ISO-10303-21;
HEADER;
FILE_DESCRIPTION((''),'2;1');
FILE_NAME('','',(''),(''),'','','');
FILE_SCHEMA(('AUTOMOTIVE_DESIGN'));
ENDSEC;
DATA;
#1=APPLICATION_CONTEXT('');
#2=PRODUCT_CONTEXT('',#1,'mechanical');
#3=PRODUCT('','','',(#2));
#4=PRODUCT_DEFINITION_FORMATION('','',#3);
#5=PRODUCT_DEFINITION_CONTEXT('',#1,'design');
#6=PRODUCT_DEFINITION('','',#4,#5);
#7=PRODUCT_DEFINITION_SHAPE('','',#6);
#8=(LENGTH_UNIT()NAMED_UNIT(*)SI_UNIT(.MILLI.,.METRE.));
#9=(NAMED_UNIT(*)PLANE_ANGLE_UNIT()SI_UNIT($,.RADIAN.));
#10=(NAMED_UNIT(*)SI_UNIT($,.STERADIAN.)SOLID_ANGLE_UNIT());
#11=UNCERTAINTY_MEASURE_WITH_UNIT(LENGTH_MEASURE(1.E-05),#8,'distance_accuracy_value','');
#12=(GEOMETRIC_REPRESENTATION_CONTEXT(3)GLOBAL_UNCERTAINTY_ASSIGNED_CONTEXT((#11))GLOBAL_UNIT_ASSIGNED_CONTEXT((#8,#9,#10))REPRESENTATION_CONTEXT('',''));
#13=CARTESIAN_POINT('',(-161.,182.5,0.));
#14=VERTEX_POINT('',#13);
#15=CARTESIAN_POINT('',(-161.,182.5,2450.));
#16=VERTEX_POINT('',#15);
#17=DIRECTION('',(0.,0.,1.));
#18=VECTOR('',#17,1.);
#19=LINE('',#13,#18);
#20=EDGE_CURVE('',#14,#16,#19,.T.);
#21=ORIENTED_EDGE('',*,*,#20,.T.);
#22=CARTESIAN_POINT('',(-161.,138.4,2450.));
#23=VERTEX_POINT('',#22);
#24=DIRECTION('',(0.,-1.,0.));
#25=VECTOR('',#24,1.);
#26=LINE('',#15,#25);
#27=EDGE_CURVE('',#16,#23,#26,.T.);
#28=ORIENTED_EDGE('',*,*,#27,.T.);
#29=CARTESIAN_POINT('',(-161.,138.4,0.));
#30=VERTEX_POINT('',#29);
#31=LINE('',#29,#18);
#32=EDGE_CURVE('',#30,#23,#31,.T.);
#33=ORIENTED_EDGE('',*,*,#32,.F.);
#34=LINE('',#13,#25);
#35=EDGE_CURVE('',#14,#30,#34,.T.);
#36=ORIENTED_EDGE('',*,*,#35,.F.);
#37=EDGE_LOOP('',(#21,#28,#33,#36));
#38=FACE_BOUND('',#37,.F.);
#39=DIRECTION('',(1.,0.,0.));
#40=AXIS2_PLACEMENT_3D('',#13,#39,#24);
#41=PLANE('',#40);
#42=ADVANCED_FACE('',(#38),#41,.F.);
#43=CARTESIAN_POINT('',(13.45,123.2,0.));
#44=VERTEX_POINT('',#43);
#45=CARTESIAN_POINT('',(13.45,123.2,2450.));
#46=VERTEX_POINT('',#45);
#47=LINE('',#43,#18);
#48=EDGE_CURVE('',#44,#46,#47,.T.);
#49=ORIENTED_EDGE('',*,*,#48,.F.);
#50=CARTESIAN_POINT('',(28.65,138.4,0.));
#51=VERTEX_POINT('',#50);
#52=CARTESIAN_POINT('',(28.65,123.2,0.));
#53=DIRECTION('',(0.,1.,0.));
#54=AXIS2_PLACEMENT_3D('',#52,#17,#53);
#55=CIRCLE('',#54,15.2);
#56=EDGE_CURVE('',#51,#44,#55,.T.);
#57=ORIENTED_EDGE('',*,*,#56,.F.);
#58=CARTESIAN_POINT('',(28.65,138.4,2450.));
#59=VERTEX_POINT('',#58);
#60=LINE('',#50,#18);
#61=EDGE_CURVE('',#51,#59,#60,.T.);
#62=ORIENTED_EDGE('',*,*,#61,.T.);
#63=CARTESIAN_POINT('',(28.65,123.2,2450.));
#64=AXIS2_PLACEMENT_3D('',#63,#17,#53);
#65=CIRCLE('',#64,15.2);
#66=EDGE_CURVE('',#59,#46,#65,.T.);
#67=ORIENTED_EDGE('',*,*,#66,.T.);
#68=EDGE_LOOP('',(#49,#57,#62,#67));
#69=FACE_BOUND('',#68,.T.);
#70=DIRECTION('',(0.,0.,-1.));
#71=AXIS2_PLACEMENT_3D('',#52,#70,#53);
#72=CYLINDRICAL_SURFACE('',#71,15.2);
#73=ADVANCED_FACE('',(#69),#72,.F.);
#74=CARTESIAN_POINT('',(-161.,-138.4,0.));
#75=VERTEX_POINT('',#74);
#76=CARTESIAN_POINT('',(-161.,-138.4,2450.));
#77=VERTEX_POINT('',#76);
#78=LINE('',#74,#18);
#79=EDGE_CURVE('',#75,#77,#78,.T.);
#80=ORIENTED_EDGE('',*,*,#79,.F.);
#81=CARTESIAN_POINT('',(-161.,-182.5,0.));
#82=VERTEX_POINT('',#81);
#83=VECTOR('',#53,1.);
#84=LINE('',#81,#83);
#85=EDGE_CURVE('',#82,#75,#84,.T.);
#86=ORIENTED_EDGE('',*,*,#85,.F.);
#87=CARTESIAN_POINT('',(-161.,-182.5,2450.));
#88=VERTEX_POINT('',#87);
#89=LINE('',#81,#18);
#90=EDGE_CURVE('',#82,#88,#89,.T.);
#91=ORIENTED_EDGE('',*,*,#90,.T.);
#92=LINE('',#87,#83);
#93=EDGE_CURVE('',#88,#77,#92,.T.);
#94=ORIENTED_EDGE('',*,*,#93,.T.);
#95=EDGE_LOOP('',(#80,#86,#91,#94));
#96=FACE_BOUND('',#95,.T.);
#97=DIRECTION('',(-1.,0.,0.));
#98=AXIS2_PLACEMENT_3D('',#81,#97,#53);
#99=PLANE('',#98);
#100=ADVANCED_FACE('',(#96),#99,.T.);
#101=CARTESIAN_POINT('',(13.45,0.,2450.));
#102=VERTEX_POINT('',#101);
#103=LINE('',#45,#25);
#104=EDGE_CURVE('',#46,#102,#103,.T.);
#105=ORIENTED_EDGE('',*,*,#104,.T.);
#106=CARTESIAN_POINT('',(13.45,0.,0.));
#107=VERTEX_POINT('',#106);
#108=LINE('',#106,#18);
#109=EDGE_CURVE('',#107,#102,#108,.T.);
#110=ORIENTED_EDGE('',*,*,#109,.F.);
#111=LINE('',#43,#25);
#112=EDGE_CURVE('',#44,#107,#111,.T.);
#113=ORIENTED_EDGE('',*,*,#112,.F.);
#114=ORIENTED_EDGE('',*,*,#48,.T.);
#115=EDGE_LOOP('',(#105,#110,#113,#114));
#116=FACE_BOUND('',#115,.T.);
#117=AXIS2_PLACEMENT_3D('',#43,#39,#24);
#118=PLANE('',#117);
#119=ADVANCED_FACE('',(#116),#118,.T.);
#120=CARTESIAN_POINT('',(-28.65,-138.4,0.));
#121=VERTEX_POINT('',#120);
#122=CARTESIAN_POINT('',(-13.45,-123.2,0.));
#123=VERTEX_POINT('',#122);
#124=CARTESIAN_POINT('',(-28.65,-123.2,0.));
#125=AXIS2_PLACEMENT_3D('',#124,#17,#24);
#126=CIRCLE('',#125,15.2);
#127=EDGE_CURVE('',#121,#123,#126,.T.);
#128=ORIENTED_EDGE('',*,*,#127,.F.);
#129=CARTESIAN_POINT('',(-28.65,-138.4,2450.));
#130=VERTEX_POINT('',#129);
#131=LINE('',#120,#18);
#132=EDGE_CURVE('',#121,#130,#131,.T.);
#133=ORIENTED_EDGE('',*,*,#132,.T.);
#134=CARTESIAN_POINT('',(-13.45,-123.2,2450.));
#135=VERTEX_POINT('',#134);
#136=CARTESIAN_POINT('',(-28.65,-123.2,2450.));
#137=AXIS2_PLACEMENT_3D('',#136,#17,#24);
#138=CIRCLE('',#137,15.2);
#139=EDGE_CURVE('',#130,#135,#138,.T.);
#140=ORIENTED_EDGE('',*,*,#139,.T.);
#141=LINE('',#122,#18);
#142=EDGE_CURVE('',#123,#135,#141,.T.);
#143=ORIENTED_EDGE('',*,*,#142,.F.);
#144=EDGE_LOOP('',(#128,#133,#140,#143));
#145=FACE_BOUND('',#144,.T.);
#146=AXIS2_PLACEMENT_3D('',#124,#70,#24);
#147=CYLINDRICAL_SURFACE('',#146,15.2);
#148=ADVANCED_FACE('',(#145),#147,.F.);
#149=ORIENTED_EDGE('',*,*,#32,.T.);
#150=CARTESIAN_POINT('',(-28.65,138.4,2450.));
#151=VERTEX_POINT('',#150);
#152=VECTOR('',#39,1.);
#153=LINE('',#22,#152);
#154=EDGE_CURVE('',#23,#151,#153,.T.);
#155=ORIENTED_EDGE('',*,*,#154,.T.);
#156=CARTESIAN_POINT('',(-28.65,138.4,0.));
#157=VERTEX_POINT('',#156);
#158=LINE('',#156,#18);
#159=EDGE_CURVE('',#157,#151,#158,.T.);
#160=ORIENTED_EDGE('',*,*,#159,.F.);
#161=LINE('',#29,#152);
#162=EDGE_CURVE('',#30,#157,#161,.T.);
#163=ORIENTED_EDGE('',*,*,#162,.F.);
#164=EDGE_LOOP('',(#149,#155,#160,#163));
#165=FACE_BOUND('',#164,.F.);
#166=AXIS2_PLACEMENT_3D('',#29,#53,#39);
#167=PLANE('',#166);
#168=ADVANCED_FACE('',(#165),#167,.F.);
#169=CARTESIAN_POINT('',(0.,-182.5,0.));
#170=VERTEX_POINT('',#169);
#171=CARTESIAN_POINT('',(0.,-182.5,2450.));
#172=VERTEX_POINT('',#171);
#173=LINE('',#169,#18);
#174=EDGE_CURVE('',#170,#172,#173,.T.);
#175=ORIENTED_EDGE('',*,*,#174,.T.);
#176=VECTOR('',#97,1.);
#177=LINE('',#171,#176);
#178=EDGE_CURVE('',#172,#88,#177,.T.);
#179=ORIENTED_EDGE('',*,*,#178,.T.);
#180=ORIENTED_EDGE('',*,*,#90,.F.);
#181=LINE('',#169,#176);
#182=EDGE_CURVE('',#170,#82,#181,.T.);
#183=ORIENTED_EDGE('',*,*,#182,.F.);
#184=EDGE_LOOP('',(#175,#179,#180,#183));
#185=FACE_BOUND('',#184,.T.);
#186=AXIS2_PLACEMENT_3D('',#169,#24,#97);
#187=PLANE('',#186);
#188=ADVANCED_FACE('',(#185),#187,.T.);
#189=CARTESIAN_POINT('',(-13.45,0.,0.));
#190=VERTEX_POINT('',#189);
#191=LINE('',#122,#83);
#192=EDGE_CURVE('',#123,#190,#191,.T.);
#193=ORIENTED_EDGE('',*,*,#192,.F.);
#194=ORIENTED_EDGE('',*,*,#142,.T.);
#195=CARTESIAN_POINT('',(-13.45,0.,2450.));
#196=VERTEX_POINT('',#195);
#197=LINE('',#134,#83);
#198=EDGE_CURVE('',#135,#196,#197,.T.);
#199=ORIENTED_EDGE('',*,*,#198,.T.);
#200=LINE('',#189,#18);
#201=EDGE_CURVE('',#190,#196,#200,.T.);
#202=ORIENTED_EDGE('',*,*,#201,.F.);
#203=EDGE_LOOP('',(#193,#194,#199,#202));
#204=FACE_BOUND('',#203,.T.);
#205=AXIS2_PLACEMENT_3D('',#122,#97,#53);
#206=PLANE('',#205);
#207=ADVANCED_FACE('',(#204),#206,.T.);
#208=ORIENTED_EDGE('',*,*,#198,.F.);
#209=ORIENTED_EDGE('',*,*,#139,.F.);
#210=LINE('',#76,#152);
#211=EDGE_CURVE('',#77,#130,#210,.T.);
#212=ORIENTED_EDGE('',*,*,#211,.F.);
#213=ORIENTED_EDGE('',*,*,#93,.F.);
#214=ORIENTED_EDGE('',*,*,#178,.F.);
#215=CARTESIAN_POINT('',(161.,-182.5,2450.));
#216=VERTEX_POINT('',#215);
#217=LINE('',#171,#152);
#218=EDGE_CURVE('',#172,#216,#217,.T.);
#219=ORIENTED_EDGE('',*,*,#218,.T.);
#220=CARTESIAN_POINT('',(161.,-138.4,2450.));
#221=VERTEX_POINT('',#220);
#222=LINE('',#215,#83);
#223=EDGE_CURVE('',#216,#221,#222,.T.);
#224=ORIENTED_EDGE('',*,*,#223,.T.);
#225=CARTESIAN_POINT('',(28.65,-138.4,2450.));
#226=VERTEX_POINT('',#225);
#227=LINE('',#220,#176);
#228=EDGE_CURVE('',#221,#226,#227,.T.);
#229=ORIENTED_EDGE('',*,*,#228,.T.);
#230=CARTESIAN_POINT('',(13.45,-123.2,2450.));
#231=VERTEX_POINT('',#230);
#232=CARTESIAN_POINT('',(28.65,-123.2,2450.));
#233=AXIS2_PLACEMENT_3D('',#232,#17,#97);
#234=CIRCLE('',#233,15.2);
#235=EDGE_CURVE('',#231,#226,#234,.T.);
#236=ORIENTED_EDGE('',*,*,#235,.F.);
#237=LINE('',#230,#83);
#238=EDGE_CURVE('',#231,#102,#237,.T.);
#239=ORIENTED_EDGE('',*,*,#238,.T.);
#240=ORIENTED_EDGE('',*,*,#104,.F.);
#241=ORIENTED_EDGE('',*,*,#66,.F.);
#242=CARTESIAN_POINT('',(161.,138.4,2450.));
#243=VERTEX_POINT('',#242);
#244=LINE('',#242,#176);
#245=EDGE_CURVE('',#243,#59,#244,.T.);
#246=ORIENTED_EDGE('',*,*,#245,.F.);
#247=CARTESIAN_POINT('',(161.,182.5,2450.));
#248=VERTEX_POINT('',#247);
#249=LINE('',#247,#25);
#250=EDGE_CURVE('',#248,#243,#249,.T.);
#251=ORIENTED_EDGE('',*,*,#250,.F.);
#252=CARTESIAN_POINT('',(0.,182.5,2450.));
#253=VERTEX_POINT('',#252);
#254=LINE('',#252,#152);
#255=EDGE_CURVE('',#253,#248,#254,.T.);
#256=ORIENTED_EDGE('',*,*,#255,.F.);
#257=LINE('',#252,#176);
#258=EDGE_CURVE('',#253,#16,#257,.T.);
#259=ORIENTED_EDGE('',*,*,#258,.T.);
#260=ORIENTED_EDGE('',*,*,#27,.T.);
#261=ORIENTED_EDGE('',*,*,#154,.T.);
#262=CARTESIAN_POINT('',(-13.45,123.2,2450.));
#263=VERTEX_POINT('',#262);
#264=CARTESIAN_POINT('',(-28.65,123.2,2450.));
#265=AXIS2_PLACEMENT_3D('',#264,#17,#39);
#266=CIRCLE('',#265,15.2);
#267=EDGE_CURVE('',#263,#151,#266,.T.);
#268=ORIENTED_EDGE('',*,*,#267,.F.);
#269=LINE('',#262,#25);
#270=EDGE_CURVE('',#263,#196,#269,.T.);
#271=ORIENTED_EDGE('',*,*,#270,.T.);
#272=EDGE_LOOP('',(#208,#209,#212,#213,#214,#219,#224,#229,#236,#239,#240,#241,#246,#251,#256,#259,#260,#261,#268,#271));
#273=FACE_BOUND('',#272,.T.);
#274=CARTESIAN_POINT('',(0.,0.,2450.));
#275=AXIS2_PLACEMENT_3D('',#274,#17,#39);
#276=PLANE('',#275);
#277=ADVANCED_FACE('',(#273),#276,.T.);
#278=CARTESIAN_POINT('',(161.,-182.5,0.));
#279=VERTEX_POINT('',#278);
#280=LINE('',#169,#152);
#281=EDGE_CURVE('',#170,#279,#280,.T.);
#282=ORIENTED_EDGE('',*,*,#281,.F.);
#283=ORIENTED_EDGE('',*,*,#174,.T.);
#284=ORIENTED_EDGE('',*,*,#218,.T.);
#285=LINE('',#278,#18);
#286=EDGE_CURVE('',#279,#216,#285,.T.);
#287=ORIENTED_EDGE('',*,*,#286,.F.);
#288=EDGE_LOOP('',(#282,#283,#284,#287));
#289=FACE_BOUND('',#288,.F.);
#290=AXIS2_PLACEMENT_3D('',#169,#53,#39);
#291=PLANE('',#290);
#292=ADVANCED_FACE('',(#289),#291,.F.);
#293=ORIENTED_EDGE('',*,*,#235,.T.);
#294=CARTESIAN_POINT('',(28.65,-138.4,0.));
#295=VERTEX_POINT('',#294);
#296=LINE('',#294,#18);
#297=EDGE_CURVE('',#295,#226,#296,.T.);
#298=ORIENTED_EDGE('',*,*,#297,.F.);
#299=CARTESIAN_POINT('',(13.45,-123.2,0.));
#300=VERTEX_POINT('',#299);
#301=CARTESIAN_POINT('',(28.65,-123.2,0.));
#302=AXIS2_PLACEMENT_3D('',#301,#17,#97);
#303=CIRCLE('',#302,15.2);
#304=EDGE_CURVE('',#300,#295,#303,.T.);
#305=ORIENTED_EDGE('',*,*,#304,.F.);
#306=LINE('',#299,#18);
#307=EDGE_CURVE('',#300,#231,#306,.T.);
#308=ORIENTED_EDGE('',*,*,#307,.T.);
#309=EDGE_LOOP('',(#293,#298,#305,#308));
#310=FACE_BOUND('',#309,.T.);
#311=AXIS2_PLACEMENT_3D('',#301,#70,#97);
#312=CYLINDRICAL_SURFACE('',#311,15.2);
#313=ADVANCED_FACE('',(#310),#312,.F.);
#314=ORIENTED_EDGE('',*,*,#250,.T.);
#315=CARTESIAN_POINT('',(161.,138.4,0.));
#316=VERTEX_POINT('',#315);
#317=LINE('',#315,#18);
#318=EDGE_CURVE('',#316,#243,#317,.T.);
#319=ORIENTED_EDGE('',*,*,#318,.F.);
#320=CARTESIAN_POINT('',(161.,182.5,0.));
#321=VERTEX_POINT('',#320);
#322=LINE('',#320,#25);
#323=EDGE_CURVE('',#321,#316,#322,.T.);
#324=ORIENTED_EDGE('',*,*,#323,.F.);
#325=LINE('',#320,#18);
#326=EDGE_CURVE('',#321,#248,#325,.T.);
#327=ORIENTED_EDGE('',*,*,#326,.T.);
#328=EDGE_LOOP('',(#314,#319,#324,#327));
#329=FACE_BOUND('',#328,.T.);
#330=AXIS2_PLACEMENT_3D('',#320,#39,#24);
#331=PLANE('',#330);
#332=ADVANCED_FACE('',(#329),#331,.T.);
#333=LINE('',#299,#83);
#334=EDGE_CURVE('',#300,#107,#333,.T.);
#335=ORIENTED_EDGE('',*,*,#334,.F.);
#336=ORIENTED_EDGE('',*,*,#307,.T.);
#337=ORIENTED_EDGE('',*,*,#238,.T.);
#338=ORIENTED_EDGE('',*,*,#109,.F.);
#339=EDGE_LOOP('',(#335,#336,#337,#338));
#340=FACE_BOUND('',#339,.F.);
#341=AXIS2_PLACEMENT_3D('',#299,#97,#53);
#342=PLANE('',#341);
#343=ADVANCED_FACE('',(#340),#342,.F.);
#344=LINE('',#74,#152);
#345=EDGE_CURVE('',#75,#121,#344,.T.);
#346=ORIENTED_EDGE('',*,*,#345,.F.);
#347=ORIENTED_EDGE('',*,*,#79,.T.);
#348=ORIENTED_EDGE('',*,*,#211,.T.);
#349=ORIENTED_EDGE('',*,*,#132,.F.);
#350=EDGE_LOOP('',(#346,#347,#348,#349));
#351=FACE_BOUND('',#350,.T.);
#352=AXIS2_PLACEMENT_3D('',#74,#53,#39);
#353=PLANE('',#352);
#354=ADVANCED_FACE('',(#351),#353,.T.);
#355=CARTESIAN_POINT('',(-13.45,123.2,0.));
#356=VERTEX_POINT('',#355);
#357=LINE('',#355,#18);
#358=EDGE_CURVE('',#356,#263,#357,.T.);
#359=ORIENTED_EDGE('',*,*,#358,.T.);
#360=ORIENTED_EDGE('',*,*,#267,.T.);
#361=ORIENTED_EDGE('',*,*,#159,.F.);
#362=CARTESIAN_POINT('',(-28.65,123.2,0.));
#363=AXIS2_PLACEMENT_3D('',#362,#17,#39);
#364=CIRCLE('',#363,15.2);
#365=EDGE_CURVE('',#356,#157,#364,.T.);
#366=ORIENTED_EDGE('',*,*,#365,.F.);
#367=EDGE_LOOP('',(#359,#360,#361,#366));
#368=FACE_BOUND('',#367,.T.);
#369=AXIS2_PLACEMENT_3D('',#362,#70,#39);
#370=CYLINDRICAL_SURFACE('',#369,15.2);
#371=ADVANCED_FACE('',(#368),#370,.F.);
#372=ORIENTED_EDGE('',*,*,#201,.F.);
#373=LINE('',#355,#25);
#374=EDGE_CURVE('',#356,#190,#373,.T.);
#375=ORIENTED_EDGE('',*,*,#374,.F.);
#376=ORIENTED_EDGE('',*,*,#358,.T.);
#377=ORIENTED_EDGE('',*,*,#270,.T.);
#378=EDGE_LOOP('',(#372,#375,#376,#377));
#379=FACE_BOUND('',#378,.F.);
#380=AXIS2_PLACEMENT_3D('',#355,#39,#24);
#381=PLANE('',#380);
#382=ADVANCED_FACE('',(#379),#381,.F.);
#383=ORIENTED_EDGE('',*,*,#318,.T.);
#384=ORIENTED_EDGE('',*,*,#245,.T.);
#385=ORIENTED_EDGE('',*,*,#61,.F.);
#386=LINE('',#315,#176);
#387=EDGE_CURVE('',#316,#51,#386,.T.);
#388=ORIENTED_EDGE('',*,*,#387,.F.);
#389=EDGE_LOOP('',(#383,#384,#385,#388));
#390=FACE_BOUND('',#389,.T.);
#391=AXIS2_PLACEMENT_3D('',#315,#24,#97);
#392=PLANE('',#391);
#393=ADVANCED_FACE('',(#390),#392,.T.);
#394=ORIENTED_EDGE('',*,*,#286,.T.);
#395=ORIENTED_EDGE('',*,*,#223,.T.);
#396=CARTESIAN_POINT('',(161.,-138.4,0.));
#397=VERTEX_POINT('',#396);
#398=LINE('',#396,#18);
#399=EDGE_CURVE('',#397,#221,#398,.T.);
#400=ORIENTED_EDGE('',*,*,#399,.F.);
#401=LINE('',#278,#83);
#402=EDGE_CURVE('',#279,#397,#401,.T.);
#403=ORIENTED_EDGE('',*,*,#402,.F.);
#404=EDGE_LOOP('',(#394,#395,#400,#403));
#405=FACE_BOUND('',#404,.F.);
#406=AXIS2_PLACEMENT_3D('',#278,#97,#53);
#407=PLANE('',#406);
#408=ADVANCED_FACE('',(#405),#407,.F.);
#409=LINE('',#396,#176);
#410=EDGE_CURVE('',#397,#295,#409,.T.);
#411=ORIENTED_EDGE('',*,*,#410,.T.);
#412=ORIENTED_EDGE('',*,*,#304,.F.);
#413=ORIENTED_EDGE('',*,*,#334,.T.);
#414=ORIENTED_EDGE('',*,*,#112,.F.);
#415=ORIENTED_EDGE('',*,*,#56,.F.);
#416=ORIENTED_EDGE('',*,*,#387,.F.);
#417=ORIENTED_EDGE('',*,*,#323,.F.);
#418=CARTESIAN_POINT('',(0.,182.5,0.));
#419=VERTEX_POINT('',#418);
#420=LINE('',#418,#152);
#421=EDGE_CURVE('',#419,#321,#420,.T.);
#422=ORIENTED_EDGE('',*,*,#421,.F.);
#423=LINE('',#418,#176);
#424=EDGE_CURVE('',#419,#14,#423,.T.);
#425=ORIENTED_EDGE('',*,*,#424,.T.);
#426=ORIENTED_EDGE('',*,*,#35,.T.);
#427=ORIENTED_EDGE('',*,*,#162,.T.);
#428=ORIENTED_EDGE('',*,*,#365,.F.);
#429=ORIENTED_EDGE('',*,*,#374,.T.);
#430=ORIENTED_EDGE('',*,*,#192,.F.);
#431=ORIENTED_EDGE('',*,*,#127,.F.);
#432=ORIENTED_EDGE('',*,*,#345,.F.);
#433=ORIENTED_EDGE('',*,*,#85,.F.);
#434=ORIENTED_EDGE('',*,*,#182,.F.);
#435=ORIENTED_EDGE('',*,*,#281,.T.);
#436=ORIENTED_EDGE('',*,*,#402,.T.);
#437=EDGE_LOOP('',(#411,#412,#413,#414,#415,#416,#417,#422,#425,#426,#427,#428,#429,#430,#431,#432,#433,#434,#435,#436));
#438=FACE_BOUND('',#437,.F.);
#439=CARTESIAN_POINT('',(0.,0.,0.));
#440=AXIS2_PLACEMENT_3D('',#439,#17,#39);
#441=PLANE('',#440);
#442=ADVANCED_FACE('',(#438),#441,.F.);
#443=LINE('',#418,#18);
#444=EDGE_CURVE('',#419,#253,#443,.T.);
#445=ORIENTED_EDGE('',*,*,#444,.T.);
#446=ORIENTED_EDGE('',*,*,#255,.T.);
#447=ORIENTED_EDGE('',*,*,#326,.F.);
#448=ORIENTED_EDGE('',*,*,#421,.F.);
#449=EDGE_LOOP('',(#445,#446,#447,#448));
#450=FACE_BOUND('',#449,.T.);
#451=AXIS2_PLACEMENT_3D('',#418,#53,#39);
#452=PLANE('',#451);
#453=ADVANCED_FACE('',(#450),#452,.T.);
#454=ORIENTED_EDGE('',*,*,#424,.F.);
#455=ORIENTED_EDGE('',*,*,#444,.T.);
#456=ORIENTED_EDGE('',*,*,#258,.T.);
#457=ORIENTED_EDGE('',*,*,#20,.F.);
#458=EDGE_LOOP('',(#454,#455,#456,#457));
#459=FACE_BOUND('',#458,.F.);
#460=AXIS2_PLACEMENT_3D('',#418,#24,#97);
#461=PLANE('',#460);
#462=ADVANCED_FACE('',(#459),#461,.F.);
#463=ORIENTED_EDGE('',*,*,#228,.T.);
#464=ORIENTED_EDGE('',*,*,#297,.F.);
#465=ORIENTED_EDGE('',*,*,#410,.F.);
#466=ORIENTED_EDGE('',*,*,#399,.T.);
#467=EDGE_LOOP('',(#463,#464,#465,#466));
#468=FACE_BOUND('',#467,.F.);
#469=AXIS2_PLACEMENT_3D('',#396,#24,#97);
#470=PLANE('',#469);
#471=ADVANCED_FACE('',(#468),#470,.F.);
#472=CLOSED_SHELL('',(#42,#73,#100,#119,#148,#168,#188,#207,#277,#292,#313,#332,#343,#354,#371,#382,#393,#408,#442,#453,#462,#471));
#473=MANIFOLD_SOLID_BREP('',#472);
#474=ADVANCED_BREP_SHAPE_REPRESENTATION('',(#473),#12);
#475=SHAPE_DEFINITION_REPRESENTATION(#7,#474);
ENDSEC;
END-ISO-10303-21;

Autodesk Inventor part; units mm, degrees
ref_plane "YZ Plane" through (0, 0, 0) normal (1, 0, 0) x (0, 1, 0)
ref_plane "Start plane" through (0, 0, 0) normal (0, 0, 1) x (1, 0, 0)
ref_plane "End plane" through (0, 0, 2450) normal (0, 0, 1) x (1, 0, 0)
sketch "Sketch" plane through (0, 0, 0) normal (0, 0, 1) x (1, 0, 0)
  line L0 (-161, -182.5) -> (-161, -138.4)
  line L1 (-161, -138.4) -> (-28.65, -138.4)
  line L2 (-13.45, -123.2) -> (-13.45, 0)
  line L3 (-13.45, 0) -> (0, 0) construction
  line L4 (0, 0) -> (0, -182.5) construction
  line L5 (0, -182.5) -> (-161, -182.5)
  line L6 (-60, 0) -> (80, 0) construction
  line L7 (0, -60) -> (0, 80) construction
  line L8 (161, -182.5) -> (161, -138.4)
  line L9 (161, -138.4) -> (28.65, -138.4)
  line L10 (13.45, -123.2) -> (13.45, 0)
  line L11 (13.45, 0) -> (0, 0) construction
  line L12 (0, -182.5) -> (161, -182.5)
  line L13 (-161, 182.5) -> (-161, 138.4)
  line L14 (-161, 138.4) -> (-28.65, 138.4)
  line L15 (-13.45, 123.2) -> (-13.45, 0)
  line L16 (0, 182.5) -> (-161, 182.5)
  line L17 (161, 182.5) -> (161, 138.4)
  line L18 (161, 138.4) -> (28.65, 138.4)
  line L19 (0, 182.5) -> (161, 182.5)
  line L20 (13.45, 123.2) -> (13.45, 0)
  arc A0 (-13.45, 123.2) -> (-28.65, 138.4) centre (-28.65, 123.2) ccw
  arc A1 (28.65, 138.4) -> (13.45, 123.2) centre (28.65, 123.2) ccw
  arc A2 (13.45, -123.2) -> (28.65, -138.4) centre (28.65, -123.2) ccw
  arc A3 (-28.65, -138.4) -> (-13.45, -123.2) centre (-28.65, -123.2) ccw
  line L21 (0, 108) -> (0, -88) construction
  line L22 (-88, 0) -> (108, 0) construction
  point P0 (-13.45, -138.4)
  point P1 (13.45, -138.4)
  point P2 (-13.45, 138.4)
  point P3 (13.45, 138.4)
  dimension "d1" = 182.5
  dimension "d2" = 44.1
  dimension "d3" = 161
  dimension "d4" = 13.45
  dimension "d10" = 15.2
extrude "Body" add sketch "Sketch" along normal up to surface (2450 mm away) from surface at 0
sketch "Sketch4" plane through (0, 0, 0) normal (0, 0, 1) x (1, 0, 0)
  line L0 (0, 0) -> (10, 0)
ref_plane "Work Plane3" through (0, 0, 0) normal (0, -1, 0) x (1, 0, 0)
sketch "Sketch5" plane through (0, 0, 0) normal (0, -1, 0) x (1, 0, 0)
  line L0 (-2, 0) -> (12, 0) projected
  line L1 (-2, 2450) -> (12, 2450) projected
  dimension "d14" = 2450
equation "\"d1\" = 0.5 * G_H"
equation "\"d2\" = G_T1"
equation "\"d3\" = 0.5 * G_W"
equation "\"d4\" = 0.5 * G_T"
equation "\"d10\" = G_IR"
equation "\"d5\" = G_L"
equation "\"G_W\" = 322"
equation "\"G_H\" = 365"
equation "\"G_T\" = 26.9"
equation "\"G_T1\" = 44.1"
equation "\"G_IR\" = 15.2"
equation "\"G_L\" = d14"
equation "\"G_OFFSET_START\" = 0"
equation "\"G_OFFSET_END\" = 0"
properties part number "AS 3679 - 310 UC - 283 - 2450" material "Steel, Mild"
